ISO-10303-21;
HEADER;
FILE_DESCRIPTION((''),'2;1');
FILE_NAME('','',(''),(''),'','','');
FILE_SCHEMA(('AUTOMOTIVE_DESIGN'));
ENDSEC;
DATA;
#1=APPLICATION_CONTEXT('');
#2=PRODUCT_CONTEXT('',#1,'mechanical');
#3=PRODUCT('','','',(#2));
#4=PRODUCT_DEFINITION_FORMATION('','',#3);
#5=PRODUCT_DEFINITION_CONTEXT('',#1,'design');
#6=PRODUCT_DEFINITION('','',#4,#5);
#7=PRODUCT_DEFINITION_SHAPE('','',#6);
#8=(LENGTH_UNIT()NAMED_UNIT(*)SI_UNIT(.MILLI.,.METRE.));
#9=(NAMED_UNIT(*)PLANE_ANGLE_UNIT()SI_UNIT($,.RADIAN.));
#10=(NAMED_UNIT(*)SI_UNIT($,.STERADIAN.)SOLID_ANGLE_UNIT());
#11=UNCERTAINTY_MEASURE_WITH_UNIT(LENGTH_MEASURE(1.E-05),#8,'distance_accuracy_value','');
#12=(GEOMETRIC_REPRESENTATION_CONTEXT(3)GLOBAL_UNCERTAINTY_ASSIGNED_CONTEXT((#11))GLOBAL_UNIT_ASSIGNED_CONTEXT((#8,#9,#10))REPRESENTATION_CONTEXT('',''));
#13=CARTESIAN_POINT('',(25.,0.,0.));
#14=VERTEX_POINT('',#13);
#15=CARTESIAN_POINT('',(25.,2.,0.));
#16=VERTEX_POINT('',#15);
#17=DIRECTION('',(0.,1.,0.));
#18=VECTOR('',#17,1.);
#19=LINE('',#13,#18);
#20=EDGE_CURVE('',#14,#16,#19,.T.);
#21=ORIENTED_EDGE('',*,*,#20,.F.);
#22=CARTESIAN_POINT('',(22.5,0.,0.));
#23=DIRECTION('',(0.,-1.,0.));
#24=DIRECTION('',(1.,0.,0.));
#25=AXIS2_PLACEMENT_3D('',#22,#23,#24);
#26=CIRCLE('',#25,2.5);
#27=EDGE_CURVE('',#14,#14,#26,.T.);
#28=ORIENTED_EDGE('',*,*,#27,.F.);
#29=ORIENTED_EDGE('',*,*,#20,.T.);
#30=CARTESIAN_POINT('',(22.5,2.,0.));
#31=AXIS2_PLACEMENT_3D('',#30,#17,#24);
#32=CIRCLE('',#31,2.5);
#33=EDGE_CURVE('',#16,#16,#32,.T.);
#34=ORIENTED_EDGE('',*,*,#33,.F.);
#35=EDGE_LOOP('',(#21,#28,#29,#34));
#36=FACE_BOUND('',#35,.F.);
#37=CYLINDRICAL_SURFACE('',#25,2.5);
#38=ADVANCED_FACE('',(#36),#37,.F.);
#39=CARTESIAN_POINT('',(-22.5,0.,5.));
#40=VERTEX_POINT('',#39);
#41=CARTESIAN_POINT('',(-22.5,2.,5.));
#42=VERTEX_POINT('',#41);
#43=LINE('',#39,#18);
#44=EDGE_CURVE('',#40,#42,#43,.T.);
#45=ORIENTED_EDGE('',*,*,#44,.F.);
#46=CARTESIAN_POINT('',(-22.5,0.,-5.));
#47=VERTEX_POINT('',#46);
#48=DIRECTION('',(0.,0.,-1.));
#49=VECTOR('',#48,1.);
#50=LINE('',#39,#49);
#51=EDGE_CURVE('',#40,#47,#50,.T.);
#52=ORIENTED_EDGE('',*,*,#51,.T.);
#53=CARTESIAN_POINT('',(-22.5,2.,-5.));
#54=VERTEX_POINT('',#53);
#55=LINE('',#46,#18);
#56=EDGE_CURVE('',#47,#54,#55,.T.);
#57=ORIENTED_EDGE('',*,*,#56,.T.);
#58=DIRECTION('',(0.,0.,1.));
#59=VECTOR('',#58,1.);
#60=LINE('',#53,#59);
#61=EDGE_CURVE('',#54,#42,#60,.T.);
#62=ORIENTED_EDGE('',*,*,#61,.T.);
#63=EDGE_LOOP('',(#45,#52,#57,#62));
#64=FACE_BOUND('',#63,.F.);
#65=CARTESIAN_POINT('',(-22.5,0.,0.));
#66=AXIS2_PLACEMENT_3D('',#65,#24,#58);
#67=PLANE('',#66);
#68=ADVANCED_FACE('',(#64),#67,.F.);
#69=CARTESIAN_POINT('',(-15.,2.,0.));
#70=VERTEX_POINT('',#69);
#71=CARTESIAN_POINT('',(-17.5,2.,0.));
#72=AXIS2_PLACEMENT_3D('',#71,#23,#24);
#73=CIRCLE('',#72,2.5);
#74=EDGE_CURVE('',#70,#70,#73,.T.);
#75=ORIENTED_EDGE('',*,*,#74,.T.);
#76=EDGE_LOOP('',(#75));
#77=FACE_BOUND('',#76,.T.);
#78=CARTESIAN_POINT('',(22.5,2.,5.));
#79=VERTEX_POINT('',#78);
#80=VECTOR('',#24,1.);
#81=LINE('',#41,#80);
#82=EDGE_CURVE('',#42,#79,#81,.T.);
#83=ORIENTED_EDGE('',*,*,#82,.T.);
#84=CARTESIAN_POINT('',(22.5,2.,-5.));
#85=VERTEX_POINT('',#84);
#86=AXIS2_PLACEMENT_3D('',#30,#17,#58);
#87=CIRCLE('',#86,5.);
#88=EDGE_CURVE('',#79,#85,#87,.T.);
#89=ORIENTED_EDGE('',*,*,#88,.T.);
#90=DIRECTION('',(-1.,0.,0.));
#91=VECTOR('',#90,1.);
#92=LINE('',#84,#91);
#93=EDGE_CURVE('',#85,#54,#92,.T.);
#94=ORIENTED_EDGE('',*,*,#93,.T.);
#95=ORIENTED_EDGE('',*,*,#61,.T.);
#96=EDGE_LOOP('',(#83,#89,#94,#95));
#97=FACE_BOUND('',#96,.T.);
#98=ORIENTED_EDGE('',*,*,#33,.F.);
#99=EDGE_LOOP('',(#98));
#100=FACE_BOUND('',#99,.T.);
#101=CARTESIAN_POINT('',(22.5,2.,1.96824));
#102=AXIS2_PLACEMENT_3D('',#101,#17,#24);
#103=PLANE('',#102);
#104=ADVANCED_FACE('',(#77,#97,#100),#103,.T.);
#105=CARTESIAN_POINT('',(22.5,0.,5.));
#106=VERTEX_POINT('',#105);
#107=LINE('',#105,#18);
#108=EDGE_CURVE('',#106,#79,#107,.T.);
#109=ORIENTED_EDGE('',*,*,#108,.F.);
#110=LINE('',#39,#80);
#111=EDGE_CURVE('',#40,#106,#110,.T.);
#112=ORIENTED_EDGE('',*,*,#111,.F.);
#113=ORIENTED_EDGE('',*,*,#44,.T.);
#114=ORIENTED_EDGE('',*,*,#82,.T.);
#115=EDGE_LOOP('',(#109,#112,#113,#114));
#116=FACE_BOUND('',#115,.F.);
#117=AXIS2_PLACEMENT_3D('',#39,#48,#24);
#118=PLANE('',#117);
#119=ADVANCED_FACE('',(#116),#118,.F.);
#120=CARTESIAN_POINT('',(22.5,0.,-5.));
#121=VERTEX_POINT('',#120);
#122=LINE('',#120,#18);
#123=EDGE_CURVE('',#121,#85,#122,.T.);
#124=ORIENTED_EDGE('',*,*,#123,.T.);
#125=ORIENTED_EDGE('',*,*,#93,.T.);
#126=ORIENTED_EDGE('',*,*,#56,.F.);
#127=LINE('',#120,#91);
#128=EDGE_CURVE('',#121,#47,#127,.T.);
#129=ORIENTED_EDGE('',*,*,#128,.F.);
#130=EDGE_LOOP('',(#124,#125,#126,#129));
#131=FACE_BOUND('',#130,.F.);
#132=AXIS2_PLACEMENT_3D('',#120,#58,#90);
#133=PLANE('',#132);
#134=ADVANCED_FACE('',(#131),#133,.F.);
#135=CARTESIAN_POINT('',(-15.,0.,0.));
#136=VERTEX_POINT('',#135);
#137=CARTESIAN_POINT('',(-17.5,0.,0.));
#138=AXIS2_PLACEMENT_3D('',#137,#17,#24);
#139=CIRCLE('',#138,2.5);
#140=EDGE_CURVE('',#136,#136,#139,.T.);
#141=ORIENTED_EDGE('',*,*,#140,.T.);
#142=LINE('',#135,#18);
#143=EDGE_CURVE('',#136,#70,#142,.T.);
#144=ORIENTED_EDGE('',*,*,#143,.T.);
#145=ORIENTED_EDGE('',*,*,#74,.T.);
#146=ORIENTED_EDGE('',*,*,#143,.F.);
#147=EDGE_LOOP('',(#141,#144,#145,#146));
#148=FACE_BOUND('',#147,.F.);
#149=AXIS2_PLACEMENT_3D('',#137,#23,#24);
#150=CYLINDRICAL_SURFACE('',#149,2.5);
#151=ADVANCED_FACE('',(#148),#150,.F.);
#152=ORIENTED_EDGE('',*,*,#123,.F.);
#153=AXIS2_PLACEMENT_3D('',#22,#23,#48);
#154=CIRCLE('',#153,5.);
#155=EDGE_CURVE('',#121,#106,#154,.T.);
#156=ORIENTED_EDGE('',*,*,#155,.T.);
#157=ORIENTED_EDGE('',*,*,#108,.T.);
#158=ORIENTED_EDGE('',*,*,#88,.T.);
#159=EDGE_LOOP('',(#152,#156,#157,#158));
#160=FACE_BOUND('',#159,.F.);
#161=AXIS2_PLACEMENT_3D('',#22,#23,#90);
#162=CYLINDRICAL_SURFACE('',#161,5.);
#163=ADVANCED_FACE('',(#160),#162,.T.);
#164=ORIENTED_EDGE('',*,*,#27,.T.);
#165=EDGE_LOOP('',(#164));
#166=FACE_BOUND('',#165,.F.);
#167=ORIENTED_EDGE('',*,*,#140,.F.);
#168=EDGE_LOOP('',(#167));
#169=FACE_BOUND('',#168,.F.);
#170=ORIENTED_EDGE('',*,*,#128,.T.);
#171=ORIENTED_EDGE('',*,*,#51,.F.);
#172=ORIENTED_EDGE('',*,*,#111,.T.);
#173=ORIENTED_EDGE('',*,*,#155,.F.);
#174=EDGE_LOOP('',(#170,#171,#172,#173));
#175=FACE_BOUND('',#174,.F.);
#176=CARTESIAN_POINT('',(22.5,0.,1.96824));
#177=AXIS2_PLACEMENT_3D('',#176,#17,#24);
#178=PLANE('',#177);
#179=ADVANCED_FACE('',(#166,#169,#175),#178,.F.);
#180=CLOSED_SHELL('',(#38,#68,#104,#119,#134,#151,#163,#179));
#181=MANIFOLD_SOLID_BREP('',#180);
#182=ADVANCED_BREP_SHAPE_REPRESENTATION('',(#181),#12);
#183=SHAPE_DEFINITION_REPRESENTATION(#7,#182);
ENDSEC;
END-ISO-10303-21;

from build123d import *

# Parameters (mm, degrees)
SALIENTE_EXTRUIR2_DEPTH   = 2
SALIENTE_EXTRUIR2_2_DEPTH = 2
SALIENTE_EXTRUIR5_DEPTH   = 2


with BuildPart() as part:
    # Croquis1 → Saliente-Extruir2 (new body)
    with BuildSketch(Plane(origin=(0, 0, 0), x_dir=(1, 0, 0), z_dir=(0, 1, 0))):
        with BuildLine():
            Line((25, 0), (27.5, 0))
            ThreePointArc((27.5, 0), (22.5, 5), (17.5, 0))
            Line((17.5, 0), (20, 0))
            ThreePointArc((20, 0), (22.5, 2.5), (25, 0))
        make_face()
    extrude(amount=SALIENTE_EXTRUIR2_DEPTH)



with BuildPart() as body_2:
    # Croquis1 → Saliente-Extruir2 2 (new body)
    with BuildSketch(Plane(origin=(0, 0, 0), x_dir=(1, 0, 0), z_dir=(0, 1, 0))):
        with BuildLine():
            Line((-22.5, -5), (22.5, -5))
            ThreePointArc((22.5, -5), (18.964466094, -3.535533906), (17.5, 0))
            Line((17.5, 0), (-15, 0))
            ThreePointArc((-15, 0), (-17.5, -2.5), (-20, 0))
            Line((-20, 0), (-22.5, 0))
            Line((-22.5, 0), (-22.5, -5))
        make_face()
    extrude(amount=SALIENTE_EXTRUIR2_2_DEPTH)


with BuildPart() as part_1:
    add(part.part)

    add(body_2.part)  # Saliente-Extruir5 merges body 2
    # Croquis1<4> → Saliente-Extruir5 (add)
    with BuildSketch(Plane(origin=(0, 0, 0), x_dir=(1, 0, 0), z_dir=(0, 1, 0))):
        with BuildLine():
            Line((27.5, 0), (25, 0))
            ThreePointArc((25, 0), (22.5, -2.5), (20, 0))
            Line((20, 0), (17.5, 0))
            ThreePointArc((17.5, 0), (22.5, -5), (27.5, 0))
        make_face()
        with BuildLine():
            ThreePointArc((17.5, 0), (18.964466094, 3.535533906), (22.5, 5))
            Line((22.5, 5), (-22.5, 5))
            Line((-22.5, 5), (-22.5, 0))
            Line((-22.5, 0), (-20, 0))
            ThreePointArc((-20, 0), (-17.5, 2.5), (-15, 0))
            Line((-15, 0), (17.5, 0))
        make_face()
    extrude(amount=SALIENTE_EXTRUIR5_DEPTH)


solid = part_1.part
